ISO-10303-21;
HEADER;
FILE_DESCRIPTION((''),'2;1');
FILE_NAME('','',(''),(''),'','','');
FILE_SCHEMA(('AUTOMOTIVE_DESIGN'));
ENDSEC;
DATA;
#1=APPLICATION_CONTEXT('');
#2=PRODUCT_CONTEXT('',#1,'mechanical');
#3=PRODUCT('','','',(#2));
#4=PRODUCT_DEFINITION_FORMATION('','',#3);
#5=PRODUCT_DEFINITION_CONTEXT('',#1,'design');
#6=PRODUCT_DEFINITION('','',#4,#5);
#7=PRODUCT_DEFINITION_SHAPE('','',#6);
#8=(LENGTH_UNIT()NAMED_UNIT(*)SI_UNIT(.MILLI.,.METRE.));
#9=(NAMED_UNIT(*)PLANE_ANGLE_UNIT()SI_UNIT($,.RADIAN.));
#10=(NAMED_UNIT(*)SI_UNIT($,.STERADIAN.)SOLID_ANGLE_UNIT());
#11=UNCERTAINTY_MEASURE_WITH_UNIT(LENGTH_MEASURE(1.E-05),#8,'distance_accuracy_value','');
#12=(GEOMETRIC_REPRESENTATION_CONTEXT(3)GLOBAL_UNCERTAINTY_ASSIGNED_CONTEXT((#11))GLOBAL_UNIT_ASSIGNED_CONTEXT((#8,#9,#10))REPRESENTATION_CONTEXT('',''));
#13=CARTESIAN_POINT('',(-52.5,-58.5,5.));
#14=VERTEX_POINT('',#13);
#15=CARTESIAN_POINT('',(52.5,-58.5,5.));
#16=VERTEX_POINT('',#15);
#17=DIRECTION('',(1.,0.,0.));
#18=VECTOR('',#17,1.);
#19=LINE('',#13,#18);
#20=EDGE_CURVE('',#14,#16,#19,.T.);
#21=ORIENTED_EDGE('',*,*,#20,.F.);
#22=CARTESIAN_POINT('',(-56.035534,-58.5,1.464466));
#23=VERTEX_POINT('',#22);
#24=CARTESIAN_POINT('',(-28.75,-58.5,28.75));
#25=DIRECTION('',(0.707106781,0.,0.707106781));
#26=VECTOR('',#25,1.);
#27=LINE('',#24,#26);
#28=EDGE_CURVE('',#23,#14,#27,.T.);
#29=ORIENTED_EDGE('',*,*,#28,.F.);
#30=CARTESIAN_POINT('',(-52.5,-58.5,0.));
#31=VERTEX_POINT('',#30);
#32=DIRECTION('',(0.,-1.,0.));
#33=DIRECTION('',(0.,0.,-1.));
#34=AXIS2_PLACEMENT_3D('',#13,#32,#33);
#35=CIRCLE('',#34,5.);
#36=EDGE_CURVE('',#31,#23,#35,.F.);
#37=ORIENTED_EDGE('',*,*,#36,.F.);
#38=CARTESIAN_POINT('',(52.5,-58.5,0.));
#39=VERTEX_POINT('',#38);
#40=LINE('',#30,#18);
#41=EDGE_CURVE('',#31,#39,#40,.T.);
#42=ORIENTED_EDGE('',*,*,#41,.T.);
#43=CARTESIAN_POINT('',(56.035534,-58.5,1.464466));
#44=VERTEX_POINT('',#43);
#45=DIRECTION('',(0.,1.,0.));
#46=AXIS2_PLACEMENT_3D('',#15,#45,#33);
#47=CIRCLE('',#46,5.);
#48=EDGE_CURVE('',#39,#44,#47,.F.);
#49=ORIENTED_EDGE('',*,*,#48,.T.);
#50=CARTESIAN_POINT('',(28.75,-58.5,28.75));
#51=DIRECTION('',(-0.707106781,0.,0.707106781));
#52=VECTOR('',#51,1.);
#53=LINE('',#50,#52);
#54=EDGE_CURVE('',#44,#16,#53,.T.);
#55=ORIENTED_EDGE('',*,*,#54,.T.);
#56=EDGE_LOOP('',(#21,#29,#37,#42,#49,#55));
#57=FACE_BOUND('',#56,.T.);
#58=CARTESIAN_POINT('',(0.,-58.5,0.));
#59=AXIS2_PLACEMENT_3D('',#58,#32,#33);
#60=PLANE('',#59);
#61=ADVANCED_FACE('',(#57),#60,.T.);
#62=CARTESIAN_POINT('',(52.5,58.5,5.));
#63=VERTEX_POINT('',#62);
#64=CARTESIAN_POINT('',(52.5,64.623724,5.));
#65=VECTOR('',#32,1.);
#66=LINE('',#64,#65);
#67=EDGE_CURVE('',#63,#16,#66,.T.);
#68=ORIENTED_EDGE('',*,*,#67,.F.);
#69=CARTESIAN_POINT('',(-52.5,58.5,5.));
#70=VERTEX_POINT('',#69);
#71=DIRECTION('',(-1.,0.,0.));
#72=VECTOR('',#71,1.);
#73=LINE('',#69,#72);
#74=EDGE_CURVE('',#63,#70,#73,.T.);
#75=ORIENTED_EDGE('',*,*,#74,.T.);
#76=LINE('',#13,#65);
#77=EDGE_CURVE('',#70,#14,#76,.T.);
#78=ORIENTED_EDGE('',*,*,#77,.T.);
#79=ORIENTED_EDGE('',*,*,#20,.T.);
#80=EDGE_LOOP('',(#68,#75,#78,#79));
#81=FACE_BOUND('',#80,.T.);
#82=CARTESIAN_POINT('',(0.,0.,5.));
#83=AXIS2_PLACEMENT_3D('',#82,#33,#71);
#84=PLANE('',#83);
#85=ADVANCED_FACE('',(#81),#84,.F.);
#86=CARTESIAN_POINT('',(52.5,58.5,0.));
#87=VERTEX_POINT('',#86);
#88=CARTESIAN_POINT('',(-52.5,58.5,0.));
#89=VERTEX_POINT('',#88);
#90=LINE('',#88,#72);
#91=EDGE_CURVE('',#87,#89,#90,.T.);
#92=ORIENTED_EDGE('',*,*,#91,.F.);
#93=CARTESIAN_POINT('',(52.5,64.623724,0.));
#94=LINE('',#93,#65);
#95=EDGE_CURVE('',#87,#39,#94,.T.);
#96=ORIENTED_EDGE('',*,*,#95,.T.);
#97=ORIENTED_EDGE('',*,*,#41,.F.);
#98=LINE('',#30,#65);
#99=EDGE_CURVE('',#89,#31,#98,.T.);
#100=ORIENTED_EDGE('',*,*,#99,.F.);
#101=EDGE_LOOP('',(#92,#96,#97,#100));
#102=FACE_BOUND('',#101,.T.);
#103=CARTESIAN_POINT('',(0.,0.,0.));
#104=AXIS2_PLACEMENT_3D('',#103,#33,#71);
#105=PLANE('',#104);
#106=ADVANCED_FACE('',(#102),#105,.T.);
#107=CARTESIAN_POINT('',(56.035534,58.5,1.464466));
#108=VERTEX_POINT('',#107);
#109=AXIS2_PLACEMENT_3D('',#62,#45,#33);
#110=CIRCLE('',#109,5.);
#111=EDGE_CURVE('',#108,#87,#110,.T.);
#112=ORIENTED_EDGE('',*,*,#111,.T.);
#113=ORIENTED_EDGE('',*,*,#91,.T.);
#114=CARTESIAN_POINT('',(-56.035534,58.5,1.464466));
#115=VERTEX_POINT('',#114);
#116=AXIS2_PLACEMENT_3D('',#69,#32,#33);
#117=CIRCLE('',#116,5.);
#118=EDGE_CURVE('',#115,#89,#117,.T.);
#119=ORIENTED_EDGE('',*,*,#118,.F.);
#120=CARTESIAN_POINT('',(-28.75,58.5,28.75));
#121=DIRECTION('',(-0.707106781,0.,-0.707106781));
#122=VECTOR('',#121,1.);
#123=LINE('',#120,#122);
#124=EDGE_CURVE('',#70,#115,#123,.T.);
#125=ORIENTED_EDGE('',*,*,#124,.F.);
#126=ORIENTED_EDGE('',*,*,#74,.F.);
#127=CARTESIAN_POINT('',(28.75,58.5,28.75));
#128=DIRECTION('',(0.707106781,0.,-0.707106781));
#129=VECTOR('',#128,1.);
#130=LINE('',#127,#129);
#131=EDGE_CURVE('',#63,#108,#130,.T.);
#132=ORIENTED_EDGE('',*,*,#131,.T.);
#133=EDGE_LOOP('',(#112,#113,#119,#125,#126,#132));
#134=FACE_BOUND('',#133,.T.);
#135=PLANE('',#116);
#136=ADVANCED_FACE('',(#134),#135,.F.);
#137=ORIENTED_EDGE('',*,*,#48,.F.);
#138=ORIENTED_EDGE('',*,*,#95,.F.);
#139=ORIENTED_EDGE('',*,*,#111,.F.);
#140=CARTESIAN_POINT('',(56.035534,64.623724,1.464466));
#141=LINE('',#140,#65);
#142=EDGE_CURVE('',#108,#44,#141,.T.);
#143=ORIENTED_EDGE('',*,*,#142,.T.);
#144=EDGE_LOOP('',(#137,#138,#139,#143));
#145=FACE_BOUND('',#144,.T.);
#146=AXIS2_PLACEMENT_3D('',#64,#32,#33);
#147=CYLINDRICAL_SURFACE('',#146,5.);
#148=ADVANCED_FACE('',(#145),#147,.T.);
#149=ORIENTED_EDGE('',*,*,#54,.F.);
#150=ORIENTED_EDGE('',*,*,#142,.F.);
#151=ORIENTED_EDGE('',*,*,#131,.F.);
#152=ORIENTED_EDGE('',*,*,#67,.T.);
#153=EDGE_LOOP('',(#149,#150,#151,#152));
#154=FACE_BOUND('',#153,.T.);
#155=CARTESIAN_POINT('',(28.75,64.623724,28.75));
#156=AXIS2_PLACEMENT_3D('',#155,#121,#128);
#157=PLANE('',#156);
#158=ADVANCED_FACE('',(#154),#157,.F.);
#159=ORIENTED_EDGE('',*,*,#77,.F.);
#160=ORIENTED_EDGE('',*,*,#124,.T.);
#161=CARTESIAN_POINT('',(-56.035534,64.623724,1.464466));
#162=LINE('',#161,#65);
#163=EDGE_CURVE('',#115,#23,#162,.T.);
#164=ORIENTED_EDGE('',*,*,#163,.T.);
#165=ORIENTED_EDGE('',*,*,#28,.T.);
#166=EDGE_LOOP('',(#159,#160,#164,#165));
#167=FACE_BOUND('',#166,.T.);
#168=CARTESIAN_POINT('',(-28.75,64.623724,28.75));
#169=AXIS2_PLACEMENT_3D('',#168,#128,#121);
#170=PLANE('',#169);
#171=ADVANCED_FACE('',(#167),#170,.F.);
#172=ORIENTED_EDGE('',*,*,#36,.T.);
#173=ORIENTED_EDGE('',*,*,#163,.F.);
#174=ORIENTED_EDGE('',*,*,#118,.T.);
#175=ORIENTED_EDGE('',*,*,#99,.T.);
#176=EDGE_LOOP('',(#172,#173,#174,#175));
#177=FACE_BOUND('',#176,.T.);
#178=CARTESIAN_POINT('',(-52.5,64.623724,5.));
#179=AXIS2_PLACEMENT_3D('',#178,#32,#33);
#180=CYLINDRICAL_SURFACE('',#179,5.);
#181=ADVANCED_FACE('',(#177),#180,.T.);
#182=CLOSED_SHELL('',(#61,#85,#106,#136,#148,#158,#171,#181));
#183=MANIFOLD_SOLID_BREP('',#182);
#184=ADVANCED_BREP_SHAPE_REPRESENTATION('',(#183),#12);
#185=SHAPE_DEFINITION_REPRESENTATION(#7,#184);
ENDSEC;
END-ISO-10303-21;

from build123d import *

# Parameters (mm, degrees)
SKETCH1_W           = 105
SKETCH1_H           = 117
BOSS_EXTRUDE1_DEPTH = 5
BOSS_EXTRUDE2_DEPTH = 117


with BuildPart() as part:
    # Sketch1 → Boss-Extrude1 (new body)
    with BuildSketch(Plane.XY):
        Rectangle(SKETCH1_W, SKETCH1_H)
    extrude(amount=BOSS_EXTRUDE1_DEPTH)


with BuildPart() as body_2:
    # Sketch2 → Boss-Extrude2 (new body)
    with BuildSketch(Plane.XZ.offset(58.5)):
        with BuildLine():
            ThreePointArc((-52.5, 0), (-54.413417162, 0.380602337), (-56.035533906, 1.464466094))
            Line((-56.035533906, 1.464466094), (-52.5, 5))
            Line((-52.5, 5), (-52.5, 0))
        make_face()
    extrude(amount=-BOSS_EXTRUDE2_DEPTH)


with BuildPart() as body_3:
    # Mirror1: mirrored copy
    add(body_2.part.mirror(Plane.ZY))


with BuildPart() as body_2_1:
    add(body_2.part)

    # Combine1: union body 3, part
    add(body_3.part)
    add(part.part)


solid = body_2_1.part
